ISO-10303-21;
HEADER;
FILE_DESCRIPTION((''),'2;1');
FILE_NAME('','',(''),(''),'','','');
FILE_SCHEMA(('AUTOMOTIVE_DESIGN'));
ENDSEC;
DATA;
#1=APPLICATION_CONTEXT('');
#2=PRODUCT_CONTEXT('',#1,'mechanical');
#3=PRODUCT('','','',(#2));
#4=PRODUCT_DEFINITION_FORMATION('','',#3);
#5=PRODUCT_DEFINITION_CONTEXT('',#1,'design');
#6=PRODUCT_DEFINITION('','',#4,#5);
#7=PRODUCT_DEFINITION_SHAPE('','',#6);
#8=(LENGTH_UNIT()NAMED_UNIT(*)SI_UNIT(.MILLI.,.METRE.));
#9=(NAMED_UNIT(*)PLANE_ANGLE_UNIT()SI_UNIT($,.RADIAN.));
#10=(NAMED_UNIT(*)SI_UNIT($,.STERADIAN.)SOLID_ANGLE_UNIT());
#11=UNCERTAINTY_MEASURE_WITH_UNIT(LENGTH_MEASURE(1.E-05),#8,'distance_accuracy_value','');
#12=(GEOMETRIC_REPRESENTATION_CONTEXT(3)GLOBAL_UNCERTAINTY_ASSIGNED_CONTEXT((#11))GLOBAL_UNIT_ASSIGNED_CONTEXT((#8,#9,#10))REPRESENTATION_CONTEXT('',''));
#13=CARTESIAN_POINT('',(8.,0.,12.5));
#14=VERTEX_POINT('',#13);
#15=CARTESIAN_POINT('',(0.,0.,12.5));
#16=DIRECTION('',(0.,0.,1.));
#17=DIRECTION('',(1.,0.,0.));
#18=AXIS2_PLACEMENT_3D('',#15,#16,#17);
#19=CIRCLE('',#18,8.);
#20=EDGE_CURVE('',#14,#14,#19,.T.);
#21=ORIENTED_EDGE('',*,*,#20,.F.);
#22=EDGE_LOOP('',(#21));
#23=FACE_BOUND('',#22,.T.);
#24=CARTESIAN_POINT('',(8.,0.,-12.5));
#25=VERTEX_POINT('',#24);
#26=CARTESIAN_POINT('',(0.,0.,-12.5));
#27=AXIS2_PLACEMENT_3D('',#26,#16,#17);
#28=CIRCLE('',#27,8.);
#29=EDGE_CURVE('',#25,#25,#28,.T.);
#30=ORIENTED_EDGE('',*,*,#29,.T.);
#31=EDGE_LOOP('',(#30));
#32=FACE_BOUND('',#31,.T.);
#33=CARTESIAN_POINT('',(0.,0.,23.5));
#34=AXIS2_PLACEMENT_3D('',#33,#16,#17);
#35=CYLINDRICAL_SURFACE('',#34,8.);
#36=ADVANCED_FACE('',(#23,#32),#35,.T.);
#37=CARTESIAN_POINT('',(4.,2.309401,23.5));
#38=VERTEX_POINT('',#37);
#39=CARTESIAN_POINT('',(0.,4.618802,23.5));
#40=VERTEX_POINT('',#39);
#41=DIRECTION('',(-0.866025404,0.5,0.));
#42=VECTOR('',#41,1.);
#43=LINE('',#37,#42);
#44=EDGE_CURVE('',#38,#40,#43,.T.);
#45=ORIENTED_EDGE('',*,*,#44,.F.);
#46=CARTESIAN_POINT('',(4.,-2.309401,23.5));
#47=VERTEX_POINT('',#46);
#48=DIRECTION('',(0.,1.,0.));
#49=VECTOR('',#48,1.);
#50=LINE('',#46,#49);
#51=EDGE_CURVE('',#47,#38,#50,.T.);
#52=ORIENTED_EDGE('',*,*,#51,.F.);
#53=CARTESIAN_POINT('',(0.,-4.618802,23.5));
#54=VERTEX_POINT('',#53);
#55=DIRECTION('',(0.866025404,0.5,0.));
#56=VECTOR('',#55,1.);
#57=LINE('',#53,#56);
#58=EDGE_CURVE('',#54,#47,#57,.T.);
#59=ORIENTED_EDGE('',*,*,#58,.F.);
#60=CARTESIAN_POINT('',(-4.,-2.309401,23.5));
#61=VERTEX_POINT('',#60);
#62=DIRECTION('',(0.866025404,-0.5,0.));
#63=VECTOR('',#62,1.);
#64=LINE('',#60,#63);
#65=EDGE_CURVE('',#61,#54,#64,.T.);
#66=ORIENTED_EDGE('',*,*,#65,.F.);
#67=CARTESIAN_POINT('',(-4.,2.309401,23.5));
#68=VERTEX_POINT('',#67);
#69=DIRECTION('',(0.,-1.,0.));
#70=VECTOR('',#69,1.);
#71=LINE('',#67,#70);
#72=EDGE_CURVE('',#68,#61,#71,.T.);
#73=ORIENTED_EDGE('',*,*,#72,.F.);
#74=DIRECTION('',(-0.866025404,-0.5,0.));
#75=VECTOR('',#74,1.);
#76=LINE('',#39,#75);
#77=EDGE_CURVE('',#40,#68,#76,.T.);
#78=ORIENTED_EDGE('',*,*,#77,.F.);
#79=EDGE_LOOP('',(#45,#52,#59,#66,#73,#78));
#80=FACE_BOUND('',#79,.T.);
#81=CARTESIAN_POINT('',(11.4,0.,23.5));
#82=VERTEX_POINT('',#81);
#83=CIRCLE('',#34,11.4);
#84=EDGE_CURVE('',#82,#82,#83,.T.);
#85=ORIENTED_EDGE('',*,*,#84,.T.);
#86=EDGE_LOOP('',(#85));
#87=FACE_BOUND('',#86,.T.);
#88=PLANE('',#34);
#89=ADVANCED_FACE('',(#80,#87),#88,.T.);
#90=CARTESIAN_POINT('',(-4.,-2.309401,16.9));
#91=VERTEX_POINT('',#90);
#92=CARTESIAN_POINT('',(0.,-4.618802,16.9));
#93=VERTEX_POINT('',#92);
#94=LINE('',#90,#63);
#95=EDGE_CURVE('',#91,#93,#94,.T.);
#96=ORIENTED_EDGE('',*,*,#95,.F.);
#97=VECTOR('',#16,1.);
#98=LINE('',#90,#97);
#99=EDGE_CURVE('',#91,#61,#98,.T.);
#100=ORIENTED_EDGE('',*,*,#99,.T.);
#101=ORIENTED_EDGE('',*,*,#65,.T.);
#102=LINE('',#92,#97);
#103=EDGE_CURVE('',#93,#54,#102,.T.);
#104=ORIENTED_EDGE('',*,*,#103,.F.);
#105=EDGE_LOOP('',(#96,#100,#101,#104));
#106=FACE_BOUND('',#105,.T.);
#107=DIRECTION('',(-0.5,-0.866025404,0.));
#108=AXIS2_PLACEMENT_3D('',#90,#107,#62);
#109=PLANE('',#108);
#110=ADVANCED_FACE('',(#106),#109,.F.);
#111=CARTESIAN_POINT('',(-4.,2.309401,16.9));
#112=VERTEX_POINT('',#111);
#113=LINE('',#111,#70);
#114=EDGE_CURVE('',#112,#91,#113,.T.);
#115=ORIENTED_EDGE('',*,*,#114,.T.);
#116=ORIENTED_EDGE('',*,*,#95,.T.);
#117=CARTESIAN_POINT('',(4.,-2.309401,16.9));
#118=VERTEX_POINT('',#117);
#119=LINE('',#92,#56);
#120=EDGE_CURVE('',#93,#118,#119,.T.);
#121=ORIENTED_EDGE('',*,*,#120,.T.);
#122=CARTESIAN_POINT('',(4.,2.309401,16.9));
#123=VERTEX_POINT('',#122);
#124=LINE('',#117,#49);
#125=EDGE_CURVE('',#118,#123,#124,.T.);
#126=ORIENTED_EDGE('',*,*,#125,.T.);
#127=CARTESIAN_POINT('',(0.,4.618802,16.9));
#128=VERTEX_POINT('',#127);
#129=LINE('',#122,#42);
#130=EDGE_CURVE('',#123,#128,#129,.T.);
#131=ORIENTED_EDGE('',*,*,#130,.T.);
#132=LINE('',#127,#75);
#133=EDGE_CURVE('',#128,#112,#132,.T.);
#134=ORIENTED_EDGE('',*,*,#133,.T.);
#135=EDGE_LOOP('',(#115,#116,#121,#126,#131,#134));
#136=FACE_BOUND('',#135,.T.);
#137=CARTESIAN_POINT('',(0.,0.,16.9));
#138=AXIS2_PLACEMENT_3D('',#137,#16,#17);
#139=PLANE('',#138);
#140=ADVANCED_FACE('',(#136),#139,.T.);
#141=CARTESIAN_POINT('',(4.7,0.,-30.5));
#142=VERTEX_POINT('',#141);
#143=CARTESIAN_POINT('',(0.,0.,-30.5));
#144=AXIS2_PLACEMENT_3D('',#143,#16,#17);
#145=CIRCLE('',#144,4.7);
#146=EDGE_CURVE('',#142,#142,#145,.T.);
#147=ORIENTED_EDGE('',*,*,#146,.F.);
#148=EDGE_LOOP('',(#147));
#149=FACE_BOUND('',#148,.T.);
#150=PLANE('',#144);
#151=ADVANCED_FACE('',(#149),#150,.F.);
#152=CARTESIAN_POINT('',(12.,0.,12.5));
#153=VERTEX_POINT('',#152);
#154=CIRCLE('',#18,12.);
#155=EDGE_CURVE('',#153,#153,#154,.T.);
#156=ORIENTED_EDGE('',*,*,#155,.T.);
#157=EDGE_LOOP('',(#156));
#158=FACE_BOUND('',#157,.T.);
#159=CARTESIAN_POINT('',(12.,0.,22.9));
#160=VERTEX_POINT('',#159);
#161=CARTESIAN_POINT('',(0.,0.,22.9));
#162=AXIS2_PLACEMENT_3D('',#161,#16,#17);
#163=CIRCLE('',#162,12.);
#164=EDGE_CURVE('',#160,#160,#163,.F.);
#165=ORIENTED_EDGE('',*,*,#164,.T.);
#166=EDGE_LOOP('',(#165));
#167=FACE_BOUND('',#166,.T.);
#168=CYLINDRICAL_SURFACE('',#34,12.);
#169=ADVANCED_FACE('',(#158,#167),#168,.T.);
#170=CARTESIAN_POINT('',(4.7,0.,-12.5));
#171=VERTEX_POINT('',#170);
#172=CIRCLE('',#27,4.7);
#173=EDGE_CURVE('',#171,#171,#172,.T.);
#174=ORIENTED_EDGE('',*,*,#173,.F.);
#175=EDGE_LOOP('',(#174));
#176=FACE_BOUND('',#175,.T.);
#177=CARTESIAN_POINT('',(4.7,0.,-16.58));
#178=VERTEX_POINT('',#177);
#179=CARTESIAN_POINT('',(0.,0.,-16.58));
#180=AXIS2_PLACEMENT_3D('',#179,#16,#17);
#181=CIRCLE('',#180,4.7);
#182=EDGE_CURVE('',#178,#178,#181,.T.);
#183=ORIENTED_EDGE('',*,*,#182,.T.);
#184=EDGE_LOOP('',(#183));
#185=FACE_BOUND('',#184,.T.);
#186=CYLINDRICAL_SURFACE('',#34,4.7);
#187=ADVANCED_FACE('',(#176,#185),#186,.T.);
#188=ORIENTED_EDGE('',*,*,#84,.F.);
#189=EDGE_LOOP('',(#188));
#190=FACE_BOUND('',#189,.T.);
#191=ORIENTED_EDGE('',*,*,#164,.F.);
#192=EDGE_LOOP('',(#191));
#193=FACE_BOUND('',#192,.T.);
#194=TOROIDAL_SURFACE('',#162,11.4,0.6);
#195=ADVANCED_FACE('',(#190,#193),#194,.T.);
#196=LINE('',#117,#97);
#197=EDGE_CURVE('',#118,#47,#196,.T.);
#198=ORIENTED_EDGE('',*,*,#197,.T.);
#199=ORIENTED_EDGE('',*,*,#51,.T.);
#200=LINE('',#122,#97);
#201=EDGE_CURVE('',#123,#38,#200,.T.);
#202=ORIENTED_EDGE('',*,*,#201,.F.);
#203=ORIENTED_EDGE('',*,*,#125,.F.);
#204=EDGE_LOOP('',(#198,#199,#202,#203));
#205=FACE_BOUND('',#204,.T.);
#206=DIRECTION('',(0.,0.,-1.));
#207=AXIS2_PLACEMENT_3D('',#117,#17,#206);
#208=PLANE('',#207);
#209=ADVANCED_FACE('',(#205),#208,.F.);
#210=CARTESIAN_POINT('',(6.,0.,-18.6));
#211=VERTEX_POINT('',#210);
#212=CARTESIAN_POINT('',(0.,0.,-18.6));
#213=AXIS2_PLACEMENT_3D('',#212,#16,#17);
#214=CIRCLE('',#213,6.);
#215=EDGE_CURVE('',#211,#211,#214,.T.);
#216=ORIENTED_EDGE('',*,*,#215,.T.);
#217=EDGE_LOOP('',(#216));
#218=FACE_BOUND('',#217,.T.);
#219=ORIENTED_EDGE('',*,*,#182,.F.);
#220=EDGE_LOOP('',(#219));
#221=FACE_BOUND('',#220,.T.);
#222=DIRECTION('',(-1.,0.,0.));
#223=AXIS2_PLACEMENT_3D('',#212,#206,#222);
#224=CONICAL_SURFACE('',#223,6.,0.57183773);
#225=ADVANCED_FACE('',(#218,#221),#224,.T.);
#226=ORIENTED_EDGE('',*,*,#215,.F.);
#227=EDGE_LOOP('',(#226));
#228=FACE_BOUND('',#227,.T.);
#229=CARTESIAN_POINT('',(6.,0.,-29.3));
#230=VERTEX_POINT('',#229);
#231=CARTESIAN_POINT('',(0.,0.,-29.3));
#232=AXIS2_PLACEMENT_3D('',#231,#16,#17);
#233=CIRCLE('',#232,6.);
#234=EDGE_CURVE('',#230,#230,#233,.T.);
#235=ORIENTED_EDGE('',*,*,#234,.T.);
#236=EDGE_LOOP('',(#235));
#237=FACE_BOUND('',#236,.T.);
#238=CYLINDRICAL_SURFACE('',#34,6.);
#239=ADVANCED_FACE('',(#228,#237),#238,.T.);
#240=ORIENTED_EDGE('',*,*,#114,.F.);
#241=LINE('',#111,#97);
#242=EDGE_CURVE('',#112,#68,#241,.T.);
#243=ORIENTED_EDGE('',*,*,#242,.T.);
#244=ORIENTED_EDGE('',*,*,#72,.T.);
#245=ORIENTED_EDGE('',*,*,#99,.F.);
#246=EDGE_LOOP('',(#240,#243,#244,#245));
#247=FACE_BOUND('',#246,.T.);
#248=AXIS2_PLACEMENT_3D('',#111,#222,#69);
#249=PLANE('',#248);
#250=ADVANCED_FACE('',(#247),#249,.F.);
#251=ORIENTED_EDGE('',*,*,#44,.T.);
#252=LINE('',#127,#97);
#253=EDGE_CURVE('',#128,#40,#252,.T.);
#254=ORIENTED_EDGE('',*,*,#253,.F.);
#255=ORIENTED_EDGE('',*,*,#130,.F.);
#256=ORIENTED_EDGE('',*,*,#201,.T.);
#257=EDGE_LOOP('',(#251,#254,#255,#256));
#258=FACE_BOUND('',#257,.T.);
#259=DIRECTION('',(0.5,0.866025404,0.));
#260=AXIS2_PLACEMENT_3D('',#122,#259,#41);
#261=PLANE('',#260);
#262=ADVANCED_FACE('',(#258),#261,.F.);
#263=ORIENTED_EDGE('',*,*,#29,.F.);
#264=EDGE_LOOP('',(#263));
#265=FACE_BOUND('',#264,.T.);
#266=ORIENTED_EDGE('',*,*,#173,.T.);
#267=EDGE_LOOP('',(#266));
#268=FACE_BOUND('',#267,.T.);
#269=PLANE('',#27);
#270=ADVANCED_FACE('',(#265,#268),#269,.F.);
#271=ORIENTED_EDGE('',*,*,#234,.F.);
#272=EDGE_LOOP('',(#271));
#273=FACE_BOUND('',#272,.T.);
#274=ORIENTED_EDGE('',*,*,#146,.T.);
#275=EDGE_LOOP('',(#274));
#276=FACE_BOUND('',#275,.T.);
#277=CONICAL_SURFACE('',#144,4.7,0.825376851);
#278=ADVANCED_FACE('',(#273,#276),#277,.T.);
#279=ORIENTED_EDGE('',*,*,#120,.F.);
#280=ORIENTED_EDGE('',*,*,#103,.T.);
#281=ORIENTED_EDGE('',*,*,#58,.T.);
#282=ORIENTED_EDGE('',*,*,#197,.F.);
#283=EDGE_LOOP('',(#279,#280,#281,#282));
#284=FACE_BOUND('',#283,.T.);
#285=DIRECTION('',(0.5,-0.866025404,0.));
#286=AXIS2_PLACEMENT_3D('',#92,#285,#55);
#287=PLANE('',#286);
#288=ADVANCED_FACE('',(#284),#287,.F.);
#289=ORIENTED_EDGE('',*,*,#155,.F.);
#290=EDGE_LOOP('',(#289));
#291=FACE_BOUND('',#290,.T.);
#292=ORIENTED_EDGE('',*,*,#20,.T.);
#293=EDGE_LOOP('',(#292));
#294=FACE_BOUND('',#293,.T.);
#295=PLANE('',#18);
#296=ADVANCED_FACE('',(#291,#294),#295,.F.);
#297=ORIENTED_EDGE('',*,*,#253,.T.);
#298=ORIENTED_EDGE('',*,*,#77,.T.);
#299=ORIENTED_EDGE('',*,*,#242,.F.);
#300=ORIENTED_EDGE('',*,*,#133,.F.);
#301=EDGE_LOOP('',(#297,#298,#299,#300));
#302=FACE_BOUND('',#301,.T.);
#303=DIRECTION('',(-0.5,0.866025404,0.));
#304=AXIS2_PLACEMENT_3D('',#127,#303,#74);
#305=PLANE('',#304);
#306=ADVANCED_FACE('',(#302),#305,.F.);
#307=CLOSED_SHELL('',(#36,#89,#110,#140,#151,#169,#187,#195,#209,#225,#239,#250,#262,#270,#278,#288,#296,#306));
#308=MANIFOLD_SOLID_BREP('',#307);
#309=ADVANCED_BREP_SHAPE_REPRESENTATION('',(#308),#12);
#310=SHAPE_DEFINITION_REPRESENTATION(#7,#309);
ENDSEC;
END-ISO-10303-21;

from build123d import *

# Parameters (mm, degrees)
SZKIC1_W                   = 4.7
SZKIC1_H                   = 4.08
WYTNIJ_WYCI_GNI_CIE1_DEPTH = 6.6
ZAOKR_GLENIE1_R            = 0.6


with BuildPart() as part:
    # Szkic1 → Obrót1 (revolve)
    with BuildSketch(Plane(origin=(0, 0, 0), x_dir=(1, 0, 0), z_dir=(0, 1, 0)), mode=Mode.PRIVATE) as obr_t1_sk:
        Polygon((0, -23.5), (0, -12.5), (-8, -12.5), (-12, -12.5), (-12, -23.5), align=None)
        Polygon((0, -12.5), (0, 12.5), (-4.7, 12.5), (-8, 12.5), (-8, -12.5), align=None)
        with Locations((-2.35, 14.54)):
            Rectangle(SZKIC1_W, SZKIC1_H)
        Polygon((-4.7, 16.58), (0, 16.58), (0, 30.5), (-4.7, 30.5), (-6, 29.3), (-6, 18.6), align=None)
    revolve(obr_t1_sk.sketch.rotate(Axis((0, 0, 23.5), (0, 0, -1)), 180), axis=Axis((0, 0, 23.5), (0, 0, -1)))

    # Szkic2 → Wytnij-wyciągnięcie1 (cut)
    with BuildSketch(Plane.XY.offset(23.5)):
        Polygon((4, 2.309401077), (0, 4.618802154), (-4, 2.309401077), (-4, -2.309401077), (0, -4.618802154), (4, -2.309401077), align=None)
    extrude(amount=-WYTNIJ_WYCI_GNI_CIE1_DEPTH, mode=Mode.SUBTRACT)

    # Zaokrąglenie1
    zaokr_glenie1_edges = [part.edges().sort_by_distance(p)[0] for p in [
        (-12, 0, 23.5),
    ]]
    fillet(zaokr_glenie1_edges, radius=ZAOKR_GLENIE1_R)


solid = part.part
